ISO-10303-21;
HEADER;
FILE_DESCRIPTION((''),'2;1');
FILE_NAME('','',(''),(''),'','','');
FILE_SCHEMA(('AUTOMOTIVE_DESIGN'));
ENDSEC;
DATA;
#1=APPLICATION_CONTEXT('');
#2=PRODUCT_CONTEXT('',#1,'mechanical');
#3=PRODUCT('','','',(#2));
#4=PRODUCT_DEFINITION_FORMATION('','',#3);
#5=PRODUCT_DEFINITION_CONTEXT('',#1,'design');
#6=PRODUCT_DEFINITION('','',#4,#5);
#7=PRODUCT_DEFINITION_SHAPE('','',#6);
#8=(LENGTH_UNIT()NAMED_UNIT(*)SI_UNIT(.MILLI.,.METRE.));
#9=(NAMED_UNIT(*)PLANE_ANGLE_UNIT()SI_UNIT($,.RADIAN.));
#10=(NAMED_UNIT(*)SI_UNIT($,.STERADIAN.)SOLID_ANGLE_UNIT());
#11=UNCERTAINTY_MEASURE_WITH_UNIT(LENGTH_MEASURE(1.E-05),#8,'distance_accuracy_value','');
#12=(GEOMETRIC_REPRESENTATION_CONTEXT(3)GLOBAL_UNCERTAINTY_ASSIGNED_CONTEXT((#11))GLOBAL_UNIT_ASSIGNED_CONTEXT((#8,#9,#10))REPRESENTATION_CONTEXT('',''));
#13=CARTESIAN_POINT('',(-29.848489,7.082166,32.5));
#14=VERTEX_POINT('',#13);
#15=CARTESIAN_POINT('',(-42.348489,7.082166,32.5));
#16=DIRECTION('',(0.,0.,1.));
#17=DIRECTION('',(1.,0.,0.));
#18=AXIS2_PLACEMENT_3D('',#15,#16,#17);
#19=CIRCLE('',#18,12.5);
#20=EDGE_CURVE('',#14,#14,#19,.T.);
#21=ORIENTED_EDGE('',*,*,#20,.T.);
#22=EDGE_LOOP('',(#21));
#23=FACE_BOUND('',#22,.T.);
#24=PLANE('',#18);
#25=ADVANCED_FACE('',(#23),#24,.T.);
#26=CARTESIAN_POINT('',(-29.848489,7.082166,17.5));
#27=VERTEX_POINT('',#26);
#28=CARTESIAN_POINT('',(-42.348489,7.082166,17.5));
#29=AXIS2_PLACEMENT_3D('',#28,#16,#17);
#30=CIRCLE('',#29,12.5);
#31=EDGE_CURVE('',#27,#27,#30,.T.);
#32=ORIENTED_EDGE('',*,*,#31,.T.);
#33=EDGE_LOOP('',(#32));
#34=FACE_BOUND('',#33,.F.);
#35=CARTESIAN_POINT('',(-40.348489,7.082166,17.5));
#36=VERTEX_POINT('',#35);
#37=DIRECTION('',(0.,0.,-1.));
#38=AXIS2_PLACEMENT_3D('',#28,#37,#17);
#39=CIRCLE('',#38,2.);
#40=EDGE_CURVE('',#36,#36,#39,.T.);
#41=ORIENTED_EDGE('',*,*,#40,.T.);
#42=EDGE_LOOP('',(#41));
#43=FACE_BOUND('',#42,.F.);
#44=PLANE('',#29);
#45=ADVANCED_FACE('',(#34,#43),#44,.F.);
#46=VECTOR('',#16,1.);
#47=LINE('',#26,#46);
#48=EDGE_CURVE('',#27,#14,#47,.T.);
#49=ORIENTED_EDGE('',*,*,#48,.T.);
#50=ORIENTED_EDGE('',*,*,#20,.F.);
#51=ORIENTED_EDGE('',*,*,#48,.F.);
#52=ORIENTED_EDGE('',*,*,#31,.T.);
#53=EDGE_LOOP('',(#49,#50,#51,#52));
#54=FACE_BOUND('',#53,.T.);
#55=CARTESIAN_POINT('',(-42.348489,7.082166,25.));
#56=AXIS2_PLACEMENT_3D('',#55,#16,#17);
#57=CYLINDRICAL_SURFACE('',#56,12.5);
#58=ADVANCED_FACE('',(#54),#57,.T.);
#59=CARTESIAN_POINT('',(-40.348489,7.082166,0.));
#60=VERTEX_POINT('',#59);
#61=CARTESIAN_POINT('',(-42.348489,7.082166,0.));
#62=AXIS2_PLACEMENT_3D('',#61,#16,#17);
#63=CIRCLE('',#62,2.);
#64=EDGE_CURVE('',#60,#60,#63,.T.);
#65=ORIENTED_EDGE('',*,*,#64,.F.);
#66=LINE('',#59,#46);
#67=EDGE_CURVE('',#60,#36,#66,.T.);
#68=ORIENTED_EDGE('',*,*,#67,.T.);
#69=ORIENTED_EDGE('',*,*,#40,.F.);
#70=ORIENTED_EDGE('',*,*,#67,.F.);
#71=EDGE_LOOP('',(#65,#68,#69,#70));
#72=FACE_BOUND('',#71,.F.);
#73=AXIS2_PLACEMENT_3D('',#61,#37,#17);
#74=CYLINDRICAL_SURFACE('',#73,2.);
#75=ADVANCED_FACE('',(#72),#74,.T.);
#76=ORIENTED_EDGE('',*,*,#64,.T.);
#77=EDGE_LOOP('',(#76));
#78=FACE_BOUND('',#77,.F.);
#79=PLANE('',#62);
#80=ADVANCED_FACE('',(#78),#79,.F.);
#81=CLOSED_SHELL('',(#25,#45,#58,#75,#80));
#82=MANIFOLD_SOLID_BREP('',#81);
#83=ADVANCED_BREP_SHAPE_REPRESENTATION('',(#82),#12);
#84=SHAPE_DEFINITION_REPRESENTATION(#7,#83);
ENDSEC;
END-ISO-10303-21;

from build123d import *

# Parameters (mm, degrees)
F0_R     = 2
F1_DEPTH = 25
F2_R     = 12.5
F3_DEPTH = 7.5


with BuildPart() as f1:
    # F0 (on Top) → F1 (new body)
    with BuildSketch(Plane.XY):
        with Locations((-42.348489, 7.082166)):
            Circle(F0_R)
    extrude(amount=F1_DEPTH)

    # F2 (on face) → F3 (join, symmetric)
    with BuildSketch(Plane.XY.offset(25)):
        with Locations((-42.348489, 7.082166)):
            Circle(F2_R)
    extrude(amount=F3_DEPTH, both=True)


solid = f1.part
